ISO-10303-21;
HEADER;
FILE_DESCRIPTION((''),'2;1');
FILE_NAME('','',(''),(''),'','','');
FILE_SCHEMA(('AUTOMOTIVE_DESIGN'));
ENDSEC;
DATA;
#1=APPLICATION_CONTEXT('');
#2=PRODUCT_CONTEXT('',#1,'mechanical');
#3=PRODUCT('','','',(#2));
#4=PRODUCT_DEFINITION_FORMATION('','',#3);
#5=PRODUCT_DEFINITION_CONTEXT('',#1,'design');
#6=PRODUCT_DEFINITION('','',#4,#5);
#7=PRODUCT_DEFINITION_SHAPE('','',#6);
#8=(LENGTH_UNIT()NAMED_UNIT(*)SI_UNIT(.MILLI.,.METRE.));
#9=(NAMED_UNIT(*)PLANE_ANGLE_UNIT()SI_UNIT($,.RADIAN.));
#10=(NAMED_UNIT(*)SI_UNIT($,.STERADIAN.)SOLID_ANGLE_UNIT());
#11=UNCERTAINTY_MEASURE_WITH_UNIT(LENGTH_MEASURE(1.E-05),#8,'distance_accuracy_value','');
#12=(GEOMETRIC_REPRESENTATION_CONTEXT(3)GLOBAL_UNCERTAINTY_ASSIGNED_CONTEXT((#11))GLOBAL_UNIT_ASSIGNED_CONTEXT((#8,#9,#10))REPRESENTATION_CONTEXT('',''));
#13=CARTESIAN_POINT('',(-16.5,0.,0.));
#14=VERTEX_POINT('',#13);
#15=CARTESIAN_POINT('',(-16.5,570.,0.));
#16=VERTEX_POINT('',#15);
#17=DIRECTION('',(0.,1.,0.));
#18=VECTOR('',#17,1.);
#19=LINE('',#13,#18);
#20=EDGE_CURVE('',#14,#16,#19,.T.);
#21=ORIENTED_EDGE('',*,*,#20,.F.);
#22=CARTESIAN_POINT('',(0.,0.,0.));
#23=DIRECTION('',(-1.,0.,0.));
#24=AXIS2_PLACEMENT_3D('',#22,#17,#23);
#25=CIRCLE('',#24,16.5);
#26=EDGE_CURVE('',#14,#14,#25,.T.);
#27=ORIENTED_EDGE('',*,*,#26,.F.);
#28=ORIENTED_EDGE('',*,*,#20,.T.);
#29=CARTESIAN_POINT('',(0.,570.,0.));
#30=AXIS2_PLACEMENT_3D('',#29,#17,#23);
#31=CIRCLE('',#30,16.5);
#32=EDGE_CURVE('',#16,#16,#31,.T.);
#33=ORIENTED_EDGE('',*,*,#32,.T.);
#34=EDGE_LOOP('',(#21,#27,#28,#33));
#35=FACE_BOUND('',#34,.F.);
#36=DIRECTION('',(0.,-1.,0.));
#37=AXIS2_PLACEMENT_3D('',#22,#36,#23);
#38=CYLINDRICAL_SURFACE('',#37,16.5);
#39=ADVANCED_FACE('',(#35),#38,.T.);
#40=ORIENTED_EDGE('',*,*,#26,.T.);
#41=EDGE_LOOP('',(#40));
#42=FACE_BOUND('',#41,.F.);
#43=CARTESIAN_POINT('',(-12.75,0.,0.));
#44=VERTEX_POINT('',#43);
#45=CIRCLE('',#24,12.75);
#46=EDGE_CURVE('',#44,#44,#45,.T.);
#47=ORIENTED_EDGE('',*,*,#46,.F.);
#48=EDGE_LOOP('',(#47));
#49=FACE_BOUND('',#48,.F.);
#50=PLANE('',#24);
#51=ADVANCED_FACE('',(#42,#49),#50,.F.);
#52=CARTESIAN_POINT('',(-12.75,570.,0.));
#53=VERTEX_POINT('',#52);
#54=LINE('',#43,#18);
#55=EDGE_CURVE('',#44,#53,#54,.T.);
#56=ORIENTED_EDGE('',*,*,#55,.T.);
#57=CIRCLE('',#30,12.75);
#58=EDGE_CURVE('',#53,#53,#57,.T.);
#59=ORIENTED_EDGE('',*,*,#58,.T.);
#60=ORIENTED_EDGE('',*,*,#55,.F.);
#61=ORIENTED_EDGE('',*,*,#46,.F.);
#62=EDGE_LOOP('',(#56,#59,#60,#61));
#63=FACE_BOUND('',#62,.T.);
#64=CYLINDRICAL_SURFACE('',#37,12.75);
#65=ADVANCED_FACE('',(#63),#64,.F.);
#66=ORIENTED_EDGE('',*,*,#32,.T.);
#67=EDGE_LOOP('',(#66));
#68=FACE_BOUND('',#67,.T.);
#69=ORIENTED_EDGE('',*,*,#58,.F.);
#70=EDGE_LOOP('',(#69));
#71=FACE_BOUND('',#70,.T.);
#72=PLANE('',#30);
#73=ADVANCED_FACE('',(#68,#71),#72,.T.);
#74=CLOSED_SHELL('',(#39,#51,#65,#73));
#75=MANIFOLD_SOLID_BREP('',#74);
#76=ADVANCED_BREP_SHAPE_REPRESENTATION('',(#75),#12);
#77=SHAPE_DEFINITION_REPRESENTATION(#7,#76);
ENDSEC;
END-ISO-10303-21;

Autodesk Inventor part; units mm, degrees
ref_plane "YZ Plane" through (0, 0, 0) normal (1, 0, 0) x (0, 1, 0)
ref_plane "XZ Plane" through (0, 0, 0) normal (0, 1, 0) x (-1, 0, 0)
ref_plane "XY Plane" through (0, 0, 0) normal (0, 0, 1) x (1, 0, 0)
sketch "Sketch1" plane through (0, 0, 0) normal (0, 1, 0) x (-1, 0, 0)
  circle A0 centre (0, 0) radius 16.5
  circle A1 centre (0, 0) radius 12.75
  dimension "d0" = 33
  dimension "d1" = 25.5
extrude "Extrusion1" add sketch "Sketch1" along normal blind 570
properties part number "pvc"
